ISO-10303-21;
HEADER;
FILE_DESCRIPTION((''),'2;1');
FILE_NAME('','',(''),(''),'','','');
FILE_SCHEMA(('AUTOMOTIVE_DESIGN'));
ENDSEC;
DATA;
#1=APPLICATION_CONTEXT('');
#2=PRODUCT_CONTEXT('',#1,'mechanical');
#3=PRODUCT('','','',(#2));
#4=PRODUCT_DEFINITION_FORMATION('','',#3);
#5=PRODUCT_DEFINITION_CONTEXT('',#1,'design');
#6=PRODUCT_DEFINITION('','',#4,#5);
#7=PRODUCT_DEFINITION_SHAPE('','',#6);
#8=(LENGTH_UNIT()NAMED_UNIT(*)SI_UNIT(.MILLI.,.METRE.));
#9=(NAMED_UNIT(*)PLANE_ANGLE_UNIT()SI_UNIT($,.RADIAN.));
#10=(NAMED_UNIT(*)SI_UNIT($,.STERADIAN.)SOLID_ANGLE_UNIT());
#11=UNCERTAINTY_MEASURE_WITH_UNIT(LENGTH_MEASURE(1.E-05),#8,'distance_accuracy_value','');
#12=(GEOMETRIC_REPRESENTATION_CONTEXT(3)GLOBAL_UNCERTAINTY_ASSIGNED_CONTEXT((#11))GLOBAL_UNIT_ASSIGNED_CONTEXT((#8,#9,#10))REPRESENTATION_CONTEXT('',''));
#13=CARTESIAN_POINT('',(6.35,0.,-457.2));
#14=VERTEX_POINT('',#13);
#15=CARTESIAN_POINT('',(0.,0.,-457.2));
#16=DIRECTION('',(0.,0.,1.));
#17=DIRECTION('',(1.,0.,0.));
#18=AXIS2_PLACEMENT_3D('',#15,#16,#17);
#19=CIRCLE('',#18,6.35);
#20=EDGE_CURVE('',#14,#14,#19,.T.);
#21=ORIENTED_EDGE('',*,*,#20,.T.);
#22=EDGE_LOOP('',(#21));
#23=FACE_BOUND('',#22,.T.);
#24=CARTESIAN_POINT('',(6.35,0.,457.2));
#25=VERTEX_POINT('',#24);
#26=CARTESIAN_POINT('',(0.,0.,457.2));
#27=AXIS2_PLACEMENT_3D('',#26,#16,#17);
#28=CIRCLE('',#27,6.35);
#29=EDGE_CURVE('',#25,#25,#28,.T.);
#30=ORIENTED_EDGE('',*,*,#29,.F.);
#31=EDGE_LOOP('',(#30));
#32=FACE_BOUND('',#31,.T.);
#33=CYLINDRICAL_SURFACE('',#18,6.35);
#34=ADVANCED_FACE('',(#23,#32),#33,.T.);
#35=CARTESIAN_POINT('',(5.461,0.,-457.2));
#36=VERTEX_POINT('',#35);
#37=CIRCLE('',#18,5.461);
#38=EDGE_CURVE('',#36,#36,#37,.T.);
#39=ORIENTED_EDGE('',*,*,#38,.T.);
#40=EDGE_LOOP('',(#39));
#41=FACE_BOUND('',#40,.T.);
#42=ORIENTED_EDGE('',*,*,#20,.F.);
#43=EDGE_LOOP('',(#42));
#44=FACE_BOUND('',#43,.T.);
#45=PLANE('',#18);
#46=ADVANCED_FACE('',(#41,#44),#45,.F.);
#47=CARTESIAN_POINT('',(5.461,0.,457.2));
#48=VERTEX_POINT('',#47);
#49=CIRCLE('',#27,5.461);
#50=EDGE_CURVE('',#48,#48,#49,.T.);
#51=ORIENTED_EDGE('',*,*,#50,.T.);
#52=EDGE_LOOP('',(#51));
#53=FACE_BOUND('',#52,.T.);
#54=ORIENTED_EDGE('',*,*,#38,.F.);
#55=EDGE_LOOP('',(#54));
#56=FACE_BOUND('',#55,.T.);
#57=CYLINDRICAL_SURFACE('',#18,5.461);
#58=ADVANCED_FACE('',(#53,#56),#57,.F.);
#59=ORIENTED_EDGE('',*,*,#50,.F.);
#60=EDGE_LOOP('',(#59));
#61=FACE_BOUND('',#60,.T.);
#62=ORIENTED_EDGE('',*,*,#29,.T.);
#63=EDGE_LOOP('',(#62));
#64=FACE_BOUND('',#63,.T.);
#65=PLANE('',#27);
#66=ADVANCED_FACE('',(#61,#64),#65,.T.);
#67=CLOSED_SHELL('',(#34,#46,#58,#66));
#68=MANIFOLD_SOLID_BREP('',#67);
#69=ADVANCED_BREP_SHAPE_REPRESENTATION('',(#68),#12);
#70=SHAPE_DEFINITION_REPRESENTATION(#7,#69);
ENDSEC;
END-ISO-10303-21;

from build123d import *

# Parameters (mm, degrees)
BOSS_EXTRUDE1_DEPTH      = 457.2
BOSS_EXTRUDE1_DEPTH_BACK = 457.2
SKETCH1_R                = 6.35
SKETCH1_R_2              = 5.461


with BuildPart() as part:
    # Sketch1 → Boss-Extrude1 (new, two sides: drawn at the far end of the back side and taken through both)
    with BuildSketch(Plane.XY.offset(-BOSS_EXTRUDE1_DEPTH_BACK)):
        Circle(SKETCH1_R)
        Circle(SKETCH1_R_2, mode=Mode.SUBTRACT)
    extrude(amount=BOSS_EXTRUDE1_DEPTH + BOSS_EXTRUDE1_DEPTH_BACK)


solid = part.part
